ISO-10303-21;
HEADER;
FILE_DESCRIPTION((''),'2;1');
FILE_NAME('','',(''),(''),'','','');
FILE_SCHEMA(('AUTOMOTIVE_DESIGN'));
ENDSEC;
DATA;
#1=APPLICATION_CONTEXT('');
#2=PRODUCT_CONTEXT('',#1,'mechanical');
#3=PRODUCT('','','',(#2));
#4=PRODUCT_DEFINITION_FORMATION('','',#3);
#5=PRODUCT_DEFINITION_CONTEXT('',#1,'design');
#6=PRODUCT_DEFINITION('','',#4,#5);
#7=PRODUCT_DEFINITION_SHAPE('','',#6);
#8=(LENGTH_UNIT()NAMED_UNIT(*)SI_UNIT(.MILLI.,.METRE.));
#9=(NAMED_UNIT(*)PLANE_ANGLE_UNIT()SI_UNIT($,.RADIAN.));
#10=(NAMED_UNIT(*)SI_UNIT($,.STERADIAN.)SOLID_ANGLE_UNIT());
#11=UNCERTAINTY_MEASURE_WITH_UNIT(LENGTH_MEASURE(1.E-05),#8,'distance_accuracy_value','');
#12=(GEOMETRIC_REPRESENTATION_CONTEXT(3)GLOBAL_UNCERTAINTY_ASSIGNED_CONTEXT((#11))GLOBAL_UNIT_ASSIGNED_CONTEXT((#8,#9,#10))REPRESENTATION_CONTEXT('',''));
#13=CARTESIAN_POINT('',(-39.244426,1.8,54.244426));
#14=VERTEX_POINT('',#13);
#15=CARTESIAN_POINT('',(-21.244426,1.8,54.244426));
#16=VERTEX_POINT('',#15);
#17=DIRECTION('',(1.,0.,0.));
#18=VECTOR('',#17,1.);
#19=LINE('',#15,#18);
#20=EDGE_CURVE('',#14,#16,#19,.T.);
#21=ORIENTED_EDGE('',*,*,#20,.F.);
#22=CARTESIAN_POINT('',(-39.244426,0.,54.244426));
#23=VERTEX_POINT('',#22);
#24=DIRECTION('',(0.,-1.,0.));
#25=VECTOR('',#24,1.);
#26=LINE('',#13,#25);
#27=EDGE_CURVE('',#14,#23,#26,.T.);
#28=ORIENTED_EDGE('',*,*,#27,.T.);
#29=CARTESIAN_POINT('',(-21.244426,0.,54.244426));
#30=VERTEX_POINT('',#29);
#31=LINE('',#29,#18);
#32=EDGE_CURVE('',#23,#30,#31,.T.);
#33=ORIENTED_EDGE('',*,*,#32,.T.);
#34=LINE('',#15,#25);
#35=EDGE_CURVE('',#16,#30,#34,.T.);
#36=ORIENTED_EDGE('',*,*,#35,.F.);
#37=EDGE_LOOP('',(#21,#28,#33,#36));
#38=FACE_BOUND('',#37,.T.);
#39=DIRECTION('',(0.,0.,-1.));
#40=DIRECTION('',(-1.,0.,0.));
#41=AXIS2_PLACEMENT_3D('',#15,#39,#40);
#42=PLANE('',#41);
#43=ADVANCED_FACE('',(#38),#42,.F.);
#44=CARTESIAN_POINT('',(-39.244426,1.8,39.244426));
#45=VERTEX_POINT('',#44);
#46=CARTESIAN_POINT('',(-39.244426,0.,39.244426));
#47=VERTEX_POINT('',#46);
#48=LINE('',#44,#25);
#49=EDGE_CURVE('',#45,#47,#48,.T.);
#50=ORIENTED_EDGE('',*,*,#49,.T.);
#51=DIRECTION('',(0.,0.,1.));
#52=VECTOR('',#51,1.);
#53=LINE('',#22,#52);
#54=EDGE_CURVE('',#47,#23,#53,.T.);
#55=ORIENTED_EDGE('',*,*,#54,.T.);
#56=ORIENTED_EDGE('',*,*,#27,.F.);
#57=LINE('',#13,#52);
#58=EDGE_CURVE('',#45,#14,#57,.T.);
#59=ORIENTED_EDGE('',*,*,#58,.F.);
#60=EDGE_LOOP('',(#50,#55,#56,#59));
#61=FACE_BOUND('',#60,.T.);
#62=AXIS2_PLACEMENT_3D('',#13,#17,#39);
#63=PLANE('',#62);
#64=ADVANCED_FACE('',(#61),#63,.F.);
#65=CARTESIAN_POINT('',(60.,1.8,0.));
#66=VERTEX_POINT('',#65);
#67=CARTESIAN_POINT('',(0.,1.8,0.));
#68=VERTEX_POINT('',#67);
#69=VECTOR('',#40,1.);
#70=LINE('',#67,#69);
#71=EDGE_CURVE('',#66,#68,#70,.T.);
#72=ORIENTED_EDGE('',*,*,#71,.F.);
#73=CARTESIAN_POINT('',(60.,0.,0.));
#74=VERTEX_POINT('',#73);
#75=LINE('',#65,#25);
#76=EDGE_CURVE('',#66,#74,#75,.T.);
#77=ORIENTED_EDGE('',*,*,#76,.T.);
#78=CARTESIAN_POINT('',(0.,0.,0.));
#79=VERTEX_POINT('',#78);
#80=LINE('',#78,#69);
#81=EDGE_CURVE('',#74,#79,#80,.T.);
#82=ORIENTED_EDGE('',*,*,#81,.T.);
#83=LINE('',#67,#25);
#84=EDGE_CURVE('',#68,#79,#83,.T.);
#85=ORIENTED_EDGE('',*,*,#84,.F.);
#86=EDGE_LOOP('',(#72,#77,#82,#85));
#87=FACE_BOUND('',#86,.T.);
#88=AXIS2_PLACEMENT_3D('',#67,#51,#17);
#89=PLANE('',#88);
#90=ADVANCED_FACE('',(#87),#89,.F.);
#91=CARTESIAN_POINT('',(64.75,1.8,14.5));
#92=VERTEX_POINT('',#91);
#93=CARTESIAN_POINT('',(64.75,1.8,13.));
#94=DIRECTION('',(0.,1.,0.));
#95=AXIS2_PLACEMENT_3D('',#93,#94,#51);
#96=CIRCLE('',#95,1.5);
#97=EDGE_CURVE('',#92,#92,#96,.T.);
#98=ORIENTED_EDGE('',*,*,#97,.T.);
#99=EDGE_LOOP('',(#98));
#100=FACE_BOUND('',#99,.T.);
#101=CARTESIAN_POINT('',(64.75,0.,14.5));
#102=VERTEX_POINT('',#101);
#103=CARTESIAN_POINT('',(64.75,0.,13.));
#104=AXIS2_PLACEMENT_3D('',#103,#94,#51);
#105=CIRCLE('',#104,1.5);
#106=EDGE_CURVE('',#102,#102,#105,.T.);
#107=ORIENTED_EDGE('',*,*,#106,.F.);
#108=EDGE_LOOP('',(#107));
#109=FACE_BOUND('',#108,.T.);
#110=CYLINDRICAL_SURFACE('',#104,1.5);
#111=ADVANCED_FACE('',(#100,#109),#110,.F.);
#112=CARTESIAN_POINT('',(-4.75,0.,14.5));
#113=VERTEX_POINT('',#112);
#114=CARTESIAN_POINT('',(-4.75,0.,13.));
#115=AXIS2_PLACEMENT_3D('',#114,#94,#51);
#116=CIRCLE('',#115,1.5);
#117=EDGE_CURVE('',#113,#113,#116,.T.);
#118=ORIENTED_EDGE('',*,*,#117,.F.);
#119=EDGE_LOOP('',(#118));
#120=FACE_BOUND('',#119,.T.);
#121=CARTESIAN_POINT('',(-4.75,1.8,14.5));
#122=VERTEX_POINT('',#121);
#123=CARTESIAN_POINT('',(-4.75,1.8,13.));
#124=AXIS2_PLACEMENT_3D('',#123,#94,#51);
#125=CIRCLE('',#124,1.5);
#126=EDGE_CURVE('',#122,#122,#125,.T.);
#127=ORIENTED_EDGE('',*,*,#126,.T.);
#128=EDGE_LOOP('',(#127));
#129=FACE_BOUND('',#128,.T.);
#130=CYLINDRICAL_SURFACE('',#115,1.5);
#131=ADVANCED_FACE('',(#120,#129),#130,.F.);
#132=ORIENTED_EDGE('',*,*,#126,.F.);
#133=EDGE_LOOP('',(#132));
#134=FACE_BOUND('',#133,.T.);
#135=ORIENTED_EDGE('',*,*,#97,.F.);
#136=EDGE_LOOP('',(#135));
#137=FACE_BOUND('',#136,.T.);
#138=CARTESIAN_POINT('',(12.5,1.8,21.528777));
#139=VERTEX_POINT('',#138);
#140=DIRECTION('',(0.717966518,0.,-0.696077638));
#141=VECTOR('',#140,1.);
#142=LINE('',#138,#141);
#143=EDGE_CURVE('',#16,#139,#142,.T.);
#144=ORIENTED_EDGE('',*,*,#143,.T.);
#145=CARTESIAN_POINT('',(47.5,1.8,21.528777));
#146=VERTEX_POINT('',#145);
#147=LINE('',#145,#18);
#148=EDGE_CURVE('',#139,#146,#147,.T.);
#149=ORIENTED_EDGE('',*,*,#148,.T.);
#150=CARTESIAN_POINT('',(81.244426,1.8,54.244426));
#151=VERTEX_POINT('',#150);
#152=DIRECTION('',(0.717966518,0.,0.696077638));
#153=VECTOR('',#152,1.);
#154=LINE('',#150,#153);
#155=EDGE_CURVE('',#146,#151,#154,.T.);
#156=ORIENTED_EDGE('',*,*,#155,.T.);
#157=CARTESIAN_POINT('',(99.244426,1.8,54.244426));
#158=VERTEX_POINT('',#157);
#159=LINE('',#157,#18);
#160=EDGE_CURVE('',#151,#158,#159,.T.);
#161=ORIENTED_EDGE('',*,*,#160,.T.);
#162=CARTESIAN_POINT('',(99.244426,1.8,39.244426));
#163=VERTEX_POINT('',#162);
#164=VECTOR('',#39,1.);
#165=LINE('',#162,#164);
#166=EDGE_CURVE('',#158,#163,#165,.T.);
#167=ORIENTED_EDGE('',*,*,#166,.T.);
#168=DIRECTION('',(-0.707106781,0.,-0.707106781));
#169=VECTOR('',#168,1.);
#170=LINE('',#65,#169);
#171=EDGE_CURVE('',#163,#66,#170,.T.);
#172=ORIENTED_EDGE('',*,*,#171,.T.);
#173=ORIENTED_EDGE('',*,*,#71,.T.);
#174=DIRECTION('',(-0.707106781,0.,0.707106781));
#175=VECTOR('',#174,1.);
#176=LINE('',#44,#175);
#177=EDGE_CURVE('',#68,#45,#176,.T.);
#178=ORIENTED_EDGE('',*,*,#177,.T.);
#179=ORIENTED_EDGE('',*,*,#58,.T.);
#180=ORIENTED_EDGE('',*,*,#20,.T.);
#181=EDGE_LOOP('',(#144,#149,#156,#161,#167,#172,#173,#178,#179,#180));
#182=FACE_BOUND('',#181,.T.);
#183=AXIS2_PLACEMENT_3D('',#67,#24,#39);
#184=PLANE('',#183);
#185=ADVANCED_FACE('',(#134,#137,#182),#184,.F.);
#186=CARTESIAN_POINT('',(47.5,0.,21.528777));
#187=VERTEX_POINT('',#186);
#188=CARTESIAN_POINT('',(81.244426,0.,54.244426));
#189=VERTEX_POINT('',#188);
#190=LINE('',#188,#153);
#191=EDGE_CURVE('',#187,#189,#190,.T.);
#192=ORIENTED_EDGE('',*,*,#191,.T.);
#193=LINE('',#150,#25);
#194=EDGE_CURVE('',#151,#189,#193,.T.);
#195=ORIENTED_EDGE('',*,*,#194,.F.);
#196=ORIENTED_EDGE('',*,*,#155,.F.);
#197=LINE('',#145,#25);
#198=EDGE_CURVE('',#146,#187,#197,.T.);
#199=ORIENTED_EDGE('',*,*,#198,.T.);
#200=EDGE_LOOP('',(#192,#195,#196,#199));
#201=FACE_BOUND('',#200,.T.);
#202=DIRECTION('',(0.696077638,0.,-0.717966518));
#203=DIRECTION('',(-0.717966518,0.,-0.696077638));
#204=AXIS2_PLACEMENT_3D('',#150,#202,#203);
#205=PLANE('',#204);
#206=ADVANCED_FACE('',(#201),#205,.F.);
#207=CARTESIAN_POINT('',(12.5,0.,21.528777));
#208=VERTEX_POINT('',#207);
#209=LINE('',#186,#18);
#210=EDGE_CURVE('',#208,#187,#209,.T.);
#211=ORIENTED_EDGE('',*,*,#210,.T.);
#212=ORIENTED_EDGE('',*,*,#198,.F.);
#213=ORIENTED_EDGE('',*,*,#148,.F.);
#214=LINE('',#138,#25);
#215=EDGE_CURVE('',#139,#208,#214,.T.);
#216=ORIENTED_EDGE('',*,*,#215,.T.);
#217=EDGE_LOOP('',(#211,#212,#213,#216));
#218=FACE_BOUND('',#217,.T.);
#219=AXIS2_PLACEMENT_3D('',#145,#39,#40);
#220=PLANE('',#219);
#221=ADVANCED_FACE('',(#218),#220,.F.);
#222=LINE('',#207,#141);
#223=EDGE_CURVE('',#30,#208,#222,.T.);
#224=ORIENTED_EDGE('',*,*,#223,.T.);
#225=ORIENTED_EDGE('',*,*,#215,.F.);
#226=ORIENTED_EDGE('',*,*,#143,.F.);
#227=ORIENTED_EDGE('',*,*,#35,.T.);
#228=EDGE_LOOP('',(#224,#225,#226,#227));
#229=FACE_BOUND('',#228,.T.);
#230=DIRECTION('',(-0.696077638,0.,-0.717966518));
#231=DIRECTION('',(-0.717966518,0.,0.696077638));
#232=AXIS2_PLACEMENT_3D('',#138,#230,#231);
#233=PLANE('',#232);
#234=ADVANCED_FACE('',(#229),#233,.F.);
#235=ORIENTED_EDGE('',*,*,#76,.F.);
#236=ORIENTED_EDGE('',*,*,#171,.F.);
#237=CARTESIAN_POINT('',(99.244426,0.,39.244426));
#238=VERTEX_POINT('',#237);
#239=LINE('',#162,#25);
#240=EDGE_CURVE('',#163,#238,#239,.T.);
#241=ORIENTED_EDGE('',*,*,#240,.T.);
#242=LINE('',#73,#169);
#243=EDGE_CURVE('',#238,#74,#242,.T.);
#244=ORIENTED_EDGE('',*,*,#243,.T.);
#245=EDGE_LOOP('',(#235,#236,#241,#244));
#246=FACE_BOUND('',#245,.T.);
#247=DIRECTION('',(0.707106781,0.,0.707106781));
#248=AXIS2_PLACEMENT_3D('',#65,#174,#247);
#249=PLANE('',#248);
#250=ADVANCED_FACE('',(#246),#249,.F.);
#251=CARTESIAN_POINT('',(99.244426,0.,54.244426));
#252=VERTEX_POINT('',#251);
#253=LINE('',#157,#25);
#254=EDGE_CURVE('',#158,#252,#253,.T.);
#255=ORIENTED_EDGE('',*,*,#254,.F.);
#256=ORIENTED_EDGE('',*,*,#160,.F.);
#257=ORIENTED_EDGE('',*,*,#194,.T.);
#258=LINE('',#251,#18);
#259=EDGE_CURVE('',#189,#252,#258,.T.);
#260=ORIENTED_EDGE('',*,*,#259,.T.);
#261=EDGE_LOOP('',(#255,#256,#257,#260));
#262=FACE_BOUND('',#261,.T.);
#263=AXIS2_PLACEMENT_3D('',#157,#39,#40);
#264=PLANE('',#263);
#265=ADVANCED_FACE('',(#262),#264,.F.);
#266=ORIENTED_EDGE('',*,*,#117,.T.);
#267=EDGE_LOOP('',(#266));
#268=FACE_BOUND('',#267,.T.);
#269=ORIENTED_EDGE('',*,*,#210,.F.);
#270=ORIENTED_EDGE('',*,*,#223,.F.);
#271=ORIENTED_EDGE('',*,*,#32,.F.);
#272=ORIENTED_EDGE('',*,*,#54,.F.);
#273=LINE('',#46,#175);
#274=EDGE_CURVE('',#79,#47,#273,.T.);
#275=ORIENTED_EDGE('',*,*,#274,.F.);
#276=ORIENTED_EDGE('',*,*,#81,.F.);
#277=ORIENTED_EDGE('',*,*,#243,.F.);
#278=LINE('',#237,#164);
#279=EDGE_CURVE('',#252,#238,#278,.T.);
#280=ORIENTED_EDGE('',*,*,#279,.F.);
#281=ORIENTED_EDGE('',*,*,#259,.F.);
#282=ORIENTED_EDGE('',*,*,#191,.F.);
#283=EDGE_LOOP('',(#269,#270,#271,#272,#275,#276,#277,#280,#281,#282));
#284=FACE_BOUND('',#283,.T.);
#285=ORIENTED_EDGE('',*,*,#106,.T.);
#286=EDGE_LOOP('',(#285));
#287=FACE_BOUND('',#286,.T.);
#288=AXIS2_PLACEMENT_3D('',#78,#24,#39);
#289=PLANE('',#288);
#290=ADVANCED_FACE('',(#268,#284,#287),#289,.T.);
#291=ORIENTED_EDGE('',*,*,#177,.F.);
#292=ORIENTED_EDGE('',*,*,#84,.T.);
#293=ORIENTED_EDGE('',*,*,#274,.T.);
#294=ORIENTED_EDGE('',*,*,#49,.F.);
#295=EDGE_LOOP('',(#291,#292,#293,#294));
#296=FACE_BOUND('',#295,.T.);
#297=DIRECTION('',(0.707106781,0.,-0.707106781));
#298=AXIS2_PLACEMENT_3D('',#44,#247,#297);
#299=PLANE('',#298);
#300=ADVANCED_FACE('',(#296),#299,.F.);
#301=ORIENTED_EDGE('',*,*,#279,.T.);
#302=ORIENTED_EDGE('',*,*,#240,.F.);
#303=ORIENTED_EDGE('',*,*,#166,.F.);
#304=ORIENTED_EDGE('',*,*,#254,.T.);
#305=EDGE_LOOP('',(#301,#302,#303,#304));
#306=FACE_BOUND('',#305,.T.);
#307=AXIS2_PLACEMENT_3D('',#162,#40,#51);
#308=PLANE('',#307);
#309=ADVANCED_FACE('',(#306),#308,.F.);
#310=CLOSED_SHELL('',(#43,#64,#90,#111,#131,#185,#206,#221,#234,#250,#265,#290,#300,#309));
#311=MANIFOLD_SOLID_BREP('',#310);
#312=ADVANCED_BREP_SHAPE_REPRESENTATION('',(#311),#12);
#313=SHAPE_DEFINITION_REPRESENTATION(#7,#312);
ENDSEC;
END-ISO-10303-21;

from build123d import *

# Parameters (mm, degrees)
BOSS_EXTRUDE1_DEPTH = 1.8
SKETCH2_R           = 1.5
CUT_EXTRUDE2_DEPTH  = 1.8


with BuildPart() as part:
    # Sketch1 → Boss-Extrude1 (new body)
    with BuildSketch(Plane(origin=(0, 0, 0), x_dir=(1, 0, 0), z_dir=(0, 1, 0))):
        Polygon((0, 0), (60, 0), (99.244426356, -39.244426356), (99.244426356, -54.244426356), (81.244426356, -54.244426356), (47.5, -21.528777349), (12.5, -21.528777349), (-21.244426356, -54.244426356), (-39.244426356, -54.244426356), (-39.244426356, -39.244426356), align=None)
    extrude(amount=BOSS_EXTRUDE1_DEPTH)

    # Sketch2 → Cut-Extrude2 (cut)
    with BuildSketch(Plane(origin=(0, 1.8, 0), x_dir=(1, 0, 0), z_dir=(0, 1, 0))):
        with Locations(Location((-4.75, -13, 0), (0, 0, 270))):
            Circle(SKETCH2_R)
        with Locations(Location((64.75, -13, 0), (0, 0, 270))):
            Circle(SKETCH2_R)
    extrude(amount=-CUT_EXTRUDE2_DEPTH, mode=Mode.SUBTRACT)


solid = part.part
